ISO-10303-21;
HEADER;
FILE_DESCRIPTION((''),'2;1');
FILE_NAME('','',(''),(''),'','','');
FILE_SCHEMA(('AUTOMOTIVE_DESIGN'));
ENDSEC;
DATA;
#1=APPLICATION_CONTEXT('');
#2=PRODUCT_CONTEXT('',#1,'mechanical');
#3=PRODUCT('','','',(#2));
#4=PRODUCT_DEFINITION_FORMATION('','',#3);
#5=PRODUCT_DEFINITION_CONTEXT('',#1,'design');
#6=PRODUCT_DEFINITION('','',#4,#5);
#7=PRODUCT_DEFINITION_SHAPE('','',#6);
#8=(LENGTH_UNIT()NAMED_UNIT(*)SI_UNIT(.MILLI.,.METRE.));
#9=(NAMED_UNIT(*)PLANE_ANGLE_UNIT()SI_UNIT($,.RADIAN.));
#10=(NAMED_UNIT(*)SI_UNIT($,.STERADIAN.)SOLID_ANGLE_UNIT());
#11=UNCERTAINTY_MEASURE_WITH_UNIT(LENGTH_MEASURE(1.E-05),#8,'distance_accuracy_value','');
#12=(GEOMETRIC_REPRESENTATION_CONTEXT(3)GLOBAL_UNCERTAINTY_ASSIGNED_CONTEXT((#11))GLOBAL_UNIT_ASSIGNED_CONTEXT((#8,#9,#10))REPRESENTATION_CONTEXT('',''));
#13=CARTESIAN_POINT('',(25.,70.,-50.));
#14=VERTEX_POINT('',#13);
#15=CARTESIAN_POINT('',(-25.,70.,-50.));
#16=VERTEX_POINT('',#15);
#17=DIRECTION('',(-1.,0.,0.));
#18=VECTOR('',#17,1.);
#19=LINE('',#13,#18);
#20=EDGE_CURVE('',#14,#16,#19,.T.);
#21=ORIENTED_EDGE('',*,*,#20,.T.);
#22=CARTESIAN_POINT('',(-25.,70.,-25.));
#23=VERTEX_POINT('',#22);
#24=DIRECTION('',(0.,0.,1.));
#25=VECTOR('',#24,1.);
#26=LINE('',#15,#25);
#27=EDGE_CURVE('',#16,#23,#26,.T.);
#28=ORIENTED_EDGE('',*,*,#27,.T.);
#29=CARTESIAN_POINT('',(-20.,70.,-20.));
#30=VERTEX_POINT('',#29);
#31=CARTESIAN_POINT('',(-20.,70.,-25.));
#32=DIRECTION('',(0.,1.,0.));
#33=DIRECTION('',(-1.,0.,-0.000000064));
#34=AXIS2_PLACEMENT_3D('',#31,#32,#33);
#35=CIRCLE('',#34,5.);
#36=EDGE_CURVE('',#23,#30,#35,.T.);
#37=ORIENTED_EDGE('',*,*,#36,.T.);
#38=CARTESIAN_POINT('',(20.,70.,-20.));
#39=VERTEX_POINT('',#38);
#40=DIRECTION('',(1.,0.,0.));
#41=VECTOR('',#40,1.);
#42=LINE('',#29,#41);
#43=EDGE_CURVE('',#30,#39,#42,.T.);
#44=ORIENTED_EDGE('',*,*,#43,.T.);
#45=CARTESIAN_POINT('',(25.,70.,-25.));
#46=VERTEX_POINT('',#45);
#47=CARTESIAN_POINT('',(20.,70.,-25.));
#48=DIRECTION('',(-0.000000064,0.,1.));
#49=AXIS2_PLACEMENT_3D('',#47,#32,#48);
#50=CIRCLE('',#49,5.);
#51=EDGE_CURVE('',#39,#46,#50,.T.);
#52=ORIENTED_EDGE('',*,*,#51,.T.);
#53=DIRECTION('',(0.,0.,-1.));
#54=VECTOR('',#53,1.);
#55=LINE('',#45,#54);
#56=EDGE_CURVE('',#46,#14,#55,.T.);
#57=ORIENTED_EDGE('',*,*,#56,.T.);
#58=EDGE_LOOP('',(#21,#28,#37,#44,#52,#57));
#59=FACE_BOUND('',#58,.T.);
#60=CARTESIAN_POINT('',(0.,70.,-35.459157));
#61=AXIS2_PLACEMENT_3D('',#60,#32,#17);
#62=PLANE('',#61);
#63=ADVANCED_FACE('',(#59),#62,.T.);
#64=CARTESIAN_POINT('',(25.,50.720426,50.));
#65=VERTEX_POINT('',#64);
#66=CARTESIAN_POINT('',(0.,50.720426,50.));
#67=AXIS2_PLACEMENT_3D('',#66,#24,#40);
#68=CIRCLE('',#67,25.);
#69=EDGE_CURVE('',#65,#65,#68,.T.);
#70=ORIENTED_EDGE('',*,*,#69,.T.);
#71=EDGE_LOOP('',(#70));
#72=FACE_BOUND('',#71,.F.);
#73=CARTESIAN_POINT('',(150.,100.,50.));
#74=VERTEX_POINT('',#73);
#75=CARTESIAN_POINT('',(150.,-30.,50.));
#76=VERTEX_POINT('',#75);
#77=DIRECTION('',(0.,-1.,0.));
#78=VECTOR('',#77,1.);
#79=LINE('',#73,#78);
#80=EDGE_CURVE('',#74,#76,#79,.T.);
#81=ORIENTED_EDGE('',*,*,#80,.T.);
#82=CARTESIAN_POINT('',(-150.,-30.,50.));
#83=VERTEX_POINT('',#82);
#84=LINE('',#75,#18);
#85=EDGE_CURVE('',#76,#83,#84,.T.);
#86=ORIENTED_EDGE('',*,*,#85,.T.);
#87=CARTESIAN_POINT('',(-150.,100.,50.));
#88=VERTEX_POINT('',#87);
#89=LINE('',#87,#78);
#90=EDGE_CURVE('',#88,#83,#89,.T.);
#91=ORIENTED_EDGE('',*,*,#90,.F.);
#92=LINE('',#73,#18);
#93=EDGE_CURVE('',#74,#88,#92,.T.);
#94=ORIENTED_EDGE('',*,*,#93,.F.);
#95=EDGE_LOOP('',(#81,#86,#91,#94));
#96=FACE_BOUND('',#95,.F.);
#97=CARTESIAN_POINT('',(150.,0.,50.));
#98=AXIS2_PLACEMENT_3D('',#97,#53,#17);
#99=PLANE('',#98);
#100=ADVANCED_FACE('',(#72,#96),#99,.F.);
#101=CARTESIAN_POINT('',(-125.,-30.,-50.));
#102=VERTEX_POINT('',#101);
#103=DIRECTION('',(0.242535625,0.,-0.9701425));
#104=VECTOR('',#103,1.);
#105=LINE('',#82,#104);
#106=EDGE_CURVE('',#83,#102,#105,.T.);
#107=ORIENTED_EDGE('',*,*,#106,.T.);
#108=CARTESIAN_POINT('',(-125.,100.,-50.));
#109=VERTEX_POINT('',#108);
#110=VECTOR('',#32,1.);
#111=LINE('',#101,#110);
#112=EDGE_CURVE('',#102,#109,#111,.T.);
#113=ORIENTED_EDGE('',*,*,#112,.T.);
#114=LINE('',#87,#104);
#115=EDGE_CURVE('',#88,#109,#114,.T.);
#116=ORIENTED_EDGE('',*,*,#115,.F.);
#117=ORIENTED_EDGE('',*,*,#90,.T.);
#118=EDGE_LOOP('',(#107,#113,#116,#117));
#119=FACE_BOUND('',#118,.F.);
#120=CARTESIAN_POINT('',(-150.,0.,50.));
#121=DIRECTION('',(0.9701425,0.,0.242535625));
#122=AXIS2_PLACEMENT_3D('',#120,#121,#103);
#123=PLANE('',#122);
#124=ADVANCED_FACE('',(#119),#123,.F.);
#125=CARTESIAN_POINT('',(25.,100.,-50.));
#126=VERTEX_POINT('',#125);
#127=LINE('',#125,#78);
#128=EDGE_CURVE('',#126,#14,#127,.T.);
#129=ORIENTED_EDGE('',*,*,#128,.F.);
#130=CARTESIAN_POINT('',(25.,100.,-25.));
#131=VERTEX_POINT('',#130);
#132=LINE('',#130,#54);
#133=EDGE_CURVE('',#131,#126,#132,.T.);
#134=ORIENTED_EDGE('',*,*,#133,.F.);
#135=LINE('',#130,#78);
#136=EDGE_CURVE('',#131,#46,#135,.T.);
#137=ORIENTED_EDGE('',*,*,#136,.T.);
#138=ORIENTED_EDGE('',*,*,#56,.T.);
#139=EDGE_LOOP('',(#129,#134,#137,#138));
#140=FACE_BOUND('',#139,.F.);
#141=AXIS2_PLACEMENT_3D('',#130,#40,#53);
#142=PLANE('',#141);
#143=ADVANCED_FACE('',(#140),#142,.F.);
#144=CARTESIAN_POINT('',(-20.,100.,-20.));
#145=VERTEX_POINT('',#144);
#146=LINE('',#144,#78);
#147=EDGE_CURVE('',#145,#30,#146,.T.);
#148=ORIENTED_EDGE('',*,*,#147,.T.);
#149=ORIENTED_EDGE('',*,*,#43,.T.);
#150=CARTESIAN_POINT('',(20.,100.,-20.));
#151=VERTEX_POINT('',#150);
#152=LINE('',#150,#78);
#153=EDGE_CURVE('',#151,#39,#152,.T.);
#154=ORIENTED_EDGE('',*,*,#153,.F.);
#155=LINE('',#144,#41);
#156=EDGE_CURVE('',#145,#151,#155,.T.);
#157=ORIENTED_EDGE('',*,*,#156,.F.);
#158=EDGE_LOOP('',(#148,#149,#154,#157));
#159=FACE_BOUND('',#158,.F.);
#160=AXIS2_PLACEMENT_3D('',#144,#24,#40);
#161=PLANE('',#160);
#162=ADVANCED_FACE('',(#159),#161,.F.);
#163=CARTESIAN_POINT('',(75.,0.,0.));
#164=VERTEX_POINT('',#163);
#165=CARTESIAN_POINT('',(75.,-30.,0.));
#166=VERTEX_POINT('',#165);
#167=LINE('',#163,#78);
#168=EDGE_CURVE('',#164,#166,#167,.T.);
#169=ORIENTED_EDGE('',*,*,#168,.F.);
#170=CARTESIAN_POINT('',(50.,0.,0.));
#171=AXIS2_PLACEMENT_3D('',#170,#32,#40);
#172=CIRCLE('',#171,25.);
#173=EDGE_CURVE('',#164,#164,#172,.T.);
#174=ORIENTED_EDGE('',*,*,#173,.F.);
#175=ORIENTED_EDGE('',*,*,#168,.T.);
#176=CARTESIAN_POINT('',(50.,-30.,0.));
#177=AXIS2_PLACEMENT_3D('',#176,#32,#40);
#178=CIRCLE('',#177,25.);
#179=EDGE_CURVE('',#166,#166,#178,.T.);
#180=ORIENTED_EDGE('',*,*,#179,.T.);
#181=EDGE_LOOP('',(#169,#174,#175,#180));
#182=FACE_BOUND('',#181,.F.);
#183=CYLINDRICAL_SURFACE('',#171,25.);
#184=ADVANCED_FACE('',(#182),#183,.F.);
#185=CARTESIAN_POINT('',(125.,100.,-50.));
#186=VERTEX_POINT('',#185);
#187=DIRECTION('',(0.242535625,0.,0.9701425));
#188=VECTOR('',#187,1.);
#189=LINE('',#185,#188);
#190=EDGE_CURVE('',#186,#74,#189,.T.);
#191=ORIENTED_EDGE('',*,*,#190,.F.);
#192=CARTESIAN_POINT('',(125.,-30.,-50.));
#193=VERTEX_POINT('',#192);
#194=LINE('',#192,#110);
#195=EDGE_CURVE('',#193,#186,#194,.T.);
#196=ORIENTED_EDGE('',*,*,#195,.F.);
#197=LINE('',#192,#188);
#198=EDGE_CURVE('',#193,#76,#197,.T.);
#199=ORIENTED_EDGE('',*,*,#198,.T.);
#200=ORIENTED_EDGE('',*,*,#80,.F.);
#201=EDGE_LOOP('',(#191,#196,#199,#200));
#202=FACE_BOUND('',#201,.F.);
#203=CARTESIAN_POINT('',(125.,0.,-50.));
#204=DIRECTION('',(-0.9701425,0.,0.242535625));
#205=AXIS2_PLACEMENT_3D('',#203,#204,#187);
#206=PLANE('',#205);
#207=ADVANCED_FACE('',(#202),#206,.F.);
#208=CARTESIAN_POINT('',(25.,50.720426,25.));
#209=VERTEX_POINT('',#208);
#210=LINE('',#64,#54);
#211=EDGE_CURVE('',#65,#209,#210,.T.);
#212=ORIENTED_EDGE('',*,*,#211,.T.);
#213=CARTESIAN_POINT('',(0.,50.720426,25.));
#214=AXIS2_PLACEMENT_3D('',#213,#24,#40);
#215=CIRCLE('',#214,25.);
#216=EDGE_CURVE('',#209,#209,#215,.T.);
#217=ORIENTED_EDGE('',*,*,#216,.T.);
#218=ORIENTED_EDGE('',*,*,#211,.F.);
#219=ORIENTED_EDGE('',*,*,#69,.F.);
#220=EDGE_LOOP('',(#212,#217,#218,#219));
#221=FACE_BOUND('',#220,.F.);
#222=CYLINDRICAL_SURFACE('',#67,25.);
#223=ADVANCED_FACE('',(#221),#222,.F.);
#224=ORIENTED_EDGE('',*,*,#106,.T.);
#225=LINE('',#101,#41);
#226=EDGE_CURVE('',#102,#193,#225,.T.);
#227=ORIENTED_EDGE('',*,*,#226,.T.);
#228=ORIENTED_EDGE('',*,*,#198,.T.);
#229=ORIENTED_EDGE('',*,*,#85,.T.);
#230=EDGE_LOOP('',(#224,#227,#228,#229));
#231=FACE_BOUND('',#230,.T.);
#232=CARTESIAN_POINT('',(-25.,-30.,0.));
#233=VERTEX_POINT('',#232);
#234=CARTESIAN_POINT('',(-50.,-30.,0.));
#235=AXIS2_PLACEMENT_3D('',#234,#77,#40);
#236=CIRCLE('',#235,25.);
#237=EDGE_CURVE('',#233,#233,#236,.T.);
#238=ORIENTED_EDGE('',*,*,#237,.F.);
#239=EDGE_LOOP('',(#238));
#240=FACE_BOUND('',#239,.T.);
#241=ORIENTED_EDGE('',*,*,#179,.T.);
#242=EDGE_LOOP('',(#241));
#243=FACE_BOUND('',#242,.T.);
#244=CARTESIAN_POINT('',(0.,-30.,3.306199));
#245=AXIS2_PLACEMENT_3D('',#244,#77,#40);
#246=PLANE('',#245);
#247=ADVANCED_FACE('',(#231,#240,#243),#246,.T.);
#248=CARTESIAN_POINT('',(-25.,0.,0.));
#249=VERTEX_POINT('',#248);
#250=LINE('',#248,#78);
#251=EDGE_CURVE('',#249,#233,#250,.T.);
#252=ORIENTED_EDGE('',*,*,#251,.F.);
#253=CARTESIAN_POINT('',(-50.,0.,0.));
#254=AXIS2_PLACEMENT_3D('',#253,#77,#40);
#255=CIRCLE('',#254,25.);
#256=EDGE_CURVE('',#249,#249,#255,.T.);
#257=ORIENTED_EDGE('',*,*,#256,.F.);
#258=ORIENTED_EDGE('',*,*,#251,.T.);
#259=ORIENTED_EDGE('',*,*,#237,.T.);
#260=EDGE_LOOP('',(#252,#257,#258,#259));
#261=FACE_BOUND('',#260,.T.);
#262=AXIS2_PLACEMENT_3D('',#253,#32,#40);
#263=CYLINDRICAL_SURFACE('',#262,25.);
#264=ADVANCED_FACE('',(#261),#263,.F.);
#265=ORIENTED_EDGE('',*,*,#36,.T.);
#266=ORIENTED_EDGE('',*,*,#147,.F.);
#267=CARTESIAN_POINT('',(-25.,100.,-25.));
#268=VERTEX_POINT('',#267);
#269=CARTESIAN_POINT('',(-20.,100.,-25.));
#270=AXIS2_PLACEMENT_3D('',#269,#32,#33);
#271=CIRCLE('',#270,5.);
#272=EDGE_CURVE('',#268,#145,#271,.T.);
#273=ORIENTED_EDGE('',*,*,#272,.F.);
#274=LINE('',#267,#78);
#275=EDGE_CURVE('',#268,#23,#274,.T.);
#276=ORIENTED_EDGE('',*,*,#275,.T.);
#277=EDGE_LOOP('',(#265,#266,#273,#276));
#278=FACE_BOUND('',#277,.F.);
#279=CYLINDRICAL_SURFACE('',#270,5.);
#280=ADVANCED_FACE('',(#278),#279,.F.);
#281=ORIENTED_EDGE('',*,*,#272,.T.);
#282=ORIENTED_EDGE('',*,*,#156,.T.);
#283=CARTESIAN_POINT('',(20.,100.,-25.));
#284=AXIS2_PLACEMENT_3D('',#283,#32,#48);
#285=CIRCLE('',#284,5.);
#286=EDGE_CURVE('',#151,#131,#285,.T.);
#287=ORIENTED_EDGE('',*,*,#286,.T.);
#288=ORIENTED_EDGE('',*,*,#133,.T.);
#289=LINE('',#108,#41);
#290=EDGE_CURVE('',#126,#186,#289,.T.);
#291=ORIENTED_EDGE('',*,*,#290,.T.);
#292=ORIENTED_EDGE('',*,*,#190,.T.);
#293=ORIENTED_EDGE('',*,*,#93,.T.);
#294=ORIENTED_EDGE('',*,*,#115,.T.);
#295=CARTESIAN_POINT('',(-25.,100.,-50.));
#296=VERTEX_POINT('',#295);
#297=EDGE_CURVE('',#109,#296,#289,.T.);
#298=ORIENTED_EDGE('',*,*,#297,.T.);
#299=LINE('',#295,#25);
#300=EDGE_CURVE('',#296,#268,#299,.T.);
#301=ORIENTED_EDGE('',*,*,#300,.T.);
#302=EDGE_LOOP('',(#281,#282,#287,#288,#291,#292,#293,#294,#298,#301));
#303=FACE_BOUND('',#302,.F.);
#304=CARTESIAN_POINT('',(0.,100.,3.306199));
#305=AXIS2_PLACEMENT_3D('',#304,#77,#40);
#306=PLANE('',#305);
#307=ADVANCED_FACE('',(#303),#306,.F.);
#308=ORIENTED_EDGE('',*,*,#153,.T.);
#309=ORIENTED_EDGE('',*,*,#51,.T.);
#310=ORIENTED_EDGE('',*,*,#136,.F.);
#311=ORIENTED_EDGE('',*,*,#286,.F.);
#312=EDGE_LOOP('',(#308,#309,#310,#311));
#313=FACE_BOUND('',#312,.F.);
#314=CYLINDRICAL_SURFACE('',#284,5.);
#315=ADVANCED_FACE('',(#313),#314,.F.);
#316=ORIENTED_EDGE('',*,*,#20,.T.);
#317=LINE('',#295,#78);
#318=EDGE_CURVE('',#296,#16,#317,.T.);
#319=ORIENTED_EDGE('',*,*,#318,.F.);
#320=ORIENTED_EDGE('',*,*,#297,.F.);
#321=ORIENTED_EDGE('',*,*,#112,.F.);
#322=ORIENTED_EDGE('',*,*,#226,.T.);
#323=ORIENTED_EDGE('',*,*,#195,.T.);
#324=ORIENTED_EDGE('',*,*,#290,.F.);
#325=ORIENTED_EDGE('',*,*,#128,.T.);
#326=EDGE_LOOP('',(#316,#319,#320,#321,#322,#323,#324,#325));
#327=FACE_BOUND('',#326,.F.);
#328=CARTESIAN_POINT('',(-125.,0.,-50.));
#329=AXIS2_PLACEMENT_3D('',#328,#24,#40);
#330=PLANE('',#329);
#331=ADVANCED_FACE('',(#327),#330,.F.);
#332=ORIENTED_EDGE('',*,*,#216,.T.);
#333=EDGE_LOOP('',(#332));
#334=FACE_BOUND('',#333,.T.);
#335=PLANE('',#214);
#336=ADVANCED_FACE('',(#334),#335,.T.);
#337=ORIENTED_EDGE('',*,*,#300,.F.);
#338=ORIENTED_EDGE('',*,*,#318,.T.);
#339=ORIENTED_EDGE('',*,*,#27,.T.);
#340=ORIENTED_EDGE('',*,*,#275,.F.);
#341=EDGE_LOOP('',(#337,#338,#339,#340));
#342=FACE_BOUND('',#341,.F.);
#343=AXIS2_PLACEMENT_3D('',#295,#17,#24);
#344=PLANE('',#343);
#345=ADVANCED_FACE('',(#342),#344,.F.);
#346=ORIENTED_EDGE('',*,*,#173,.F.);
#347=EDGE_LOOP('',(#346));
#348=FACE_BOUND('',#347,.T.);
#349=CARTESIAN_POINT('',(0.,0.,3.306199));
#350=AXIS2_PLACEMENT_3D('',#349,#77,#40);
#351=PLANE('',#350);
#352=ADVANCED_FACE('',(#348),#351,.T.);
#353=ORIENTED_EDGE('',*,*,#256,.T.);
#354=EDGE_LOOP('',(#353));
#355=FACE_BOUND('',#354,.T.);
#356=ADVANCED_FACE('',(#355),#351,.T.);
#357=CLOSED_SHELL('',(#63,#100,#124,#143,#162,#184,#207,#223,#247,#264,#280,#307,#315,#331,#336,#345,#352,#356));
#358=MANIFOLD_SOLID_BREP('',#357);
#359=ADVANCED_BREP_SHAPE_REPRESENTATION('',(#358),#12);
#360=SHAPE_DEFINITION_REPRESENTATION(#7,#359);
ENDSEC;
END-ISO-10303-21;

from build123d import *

# Parameters (mm, degrees)
F1_DEPTH = 100
F2_R     = 25
F3_DEPTH = 30
F4_R     = 25
F5_DEPTH = 25
F7_DEPTH = 30


with BuildPart() as f1:
    # F0 (on Front) → F1 (new body)
    with BuildSketch(Plane.XZ):
        Polygon((125, 50), (-125, 50), (-150, 50), (-125, -50), (125, -50), (150, 50), align=None)
    extrude(amount=-F1_DEPTH)

    # F2 (on face) → F3 (join)
    with BuildSketch(Plane.XZ):
        Polygon((125, -50), (150, 50), (-150, 50), (-125, -50), align=None)
        with Locations((-50, 0)):
            Circle(F2_R, mode=Mode.SUBTRACT)
        with BuildLine():
            ThreePointArc((25, 0), (50, 25), (75, 0))
            ThreePointArc((75, 0), (50, -25), (25, 0))
        make_face(mode=Mode.SUBTRACT)
    extrude(amount=F3_DEPTH)

    # F4 (on face) → F5 (cut)
    with BuildSketch(Plane.XY.offset(50)):
        with Locations((0, 50.720426)):
            Circle(F4_R)
    extrude(amount=-F5_DEPTH, mode=Mode.SUBTRACT)

    # F6 (on face) → F7 (cut)
    with BuildSketch(Plane(origin=(0, 100, 0), x_dir=(-1, 0, 0), z_dir=(0, 1, 0))):
        with BuildLine():
            Line((-25, -50), (0, -50))
            Line((0, -50), (25, -50))
            Line((25, -50), (25, -25))
            ThreePointArc((25, -25), (23.535534, -21.464466), (20, -20))
            Line((20, -20), (-20, -20))
            ThreePointArc((-20, -20), (-23.535534, -21.464466), (-25, -25))
            Line((-25, -25), (-25, -50))
        make_face()
    extrude(amount=-F7_DEPTH, mode=Mode.SUBTRACT)


solid = f1.part
